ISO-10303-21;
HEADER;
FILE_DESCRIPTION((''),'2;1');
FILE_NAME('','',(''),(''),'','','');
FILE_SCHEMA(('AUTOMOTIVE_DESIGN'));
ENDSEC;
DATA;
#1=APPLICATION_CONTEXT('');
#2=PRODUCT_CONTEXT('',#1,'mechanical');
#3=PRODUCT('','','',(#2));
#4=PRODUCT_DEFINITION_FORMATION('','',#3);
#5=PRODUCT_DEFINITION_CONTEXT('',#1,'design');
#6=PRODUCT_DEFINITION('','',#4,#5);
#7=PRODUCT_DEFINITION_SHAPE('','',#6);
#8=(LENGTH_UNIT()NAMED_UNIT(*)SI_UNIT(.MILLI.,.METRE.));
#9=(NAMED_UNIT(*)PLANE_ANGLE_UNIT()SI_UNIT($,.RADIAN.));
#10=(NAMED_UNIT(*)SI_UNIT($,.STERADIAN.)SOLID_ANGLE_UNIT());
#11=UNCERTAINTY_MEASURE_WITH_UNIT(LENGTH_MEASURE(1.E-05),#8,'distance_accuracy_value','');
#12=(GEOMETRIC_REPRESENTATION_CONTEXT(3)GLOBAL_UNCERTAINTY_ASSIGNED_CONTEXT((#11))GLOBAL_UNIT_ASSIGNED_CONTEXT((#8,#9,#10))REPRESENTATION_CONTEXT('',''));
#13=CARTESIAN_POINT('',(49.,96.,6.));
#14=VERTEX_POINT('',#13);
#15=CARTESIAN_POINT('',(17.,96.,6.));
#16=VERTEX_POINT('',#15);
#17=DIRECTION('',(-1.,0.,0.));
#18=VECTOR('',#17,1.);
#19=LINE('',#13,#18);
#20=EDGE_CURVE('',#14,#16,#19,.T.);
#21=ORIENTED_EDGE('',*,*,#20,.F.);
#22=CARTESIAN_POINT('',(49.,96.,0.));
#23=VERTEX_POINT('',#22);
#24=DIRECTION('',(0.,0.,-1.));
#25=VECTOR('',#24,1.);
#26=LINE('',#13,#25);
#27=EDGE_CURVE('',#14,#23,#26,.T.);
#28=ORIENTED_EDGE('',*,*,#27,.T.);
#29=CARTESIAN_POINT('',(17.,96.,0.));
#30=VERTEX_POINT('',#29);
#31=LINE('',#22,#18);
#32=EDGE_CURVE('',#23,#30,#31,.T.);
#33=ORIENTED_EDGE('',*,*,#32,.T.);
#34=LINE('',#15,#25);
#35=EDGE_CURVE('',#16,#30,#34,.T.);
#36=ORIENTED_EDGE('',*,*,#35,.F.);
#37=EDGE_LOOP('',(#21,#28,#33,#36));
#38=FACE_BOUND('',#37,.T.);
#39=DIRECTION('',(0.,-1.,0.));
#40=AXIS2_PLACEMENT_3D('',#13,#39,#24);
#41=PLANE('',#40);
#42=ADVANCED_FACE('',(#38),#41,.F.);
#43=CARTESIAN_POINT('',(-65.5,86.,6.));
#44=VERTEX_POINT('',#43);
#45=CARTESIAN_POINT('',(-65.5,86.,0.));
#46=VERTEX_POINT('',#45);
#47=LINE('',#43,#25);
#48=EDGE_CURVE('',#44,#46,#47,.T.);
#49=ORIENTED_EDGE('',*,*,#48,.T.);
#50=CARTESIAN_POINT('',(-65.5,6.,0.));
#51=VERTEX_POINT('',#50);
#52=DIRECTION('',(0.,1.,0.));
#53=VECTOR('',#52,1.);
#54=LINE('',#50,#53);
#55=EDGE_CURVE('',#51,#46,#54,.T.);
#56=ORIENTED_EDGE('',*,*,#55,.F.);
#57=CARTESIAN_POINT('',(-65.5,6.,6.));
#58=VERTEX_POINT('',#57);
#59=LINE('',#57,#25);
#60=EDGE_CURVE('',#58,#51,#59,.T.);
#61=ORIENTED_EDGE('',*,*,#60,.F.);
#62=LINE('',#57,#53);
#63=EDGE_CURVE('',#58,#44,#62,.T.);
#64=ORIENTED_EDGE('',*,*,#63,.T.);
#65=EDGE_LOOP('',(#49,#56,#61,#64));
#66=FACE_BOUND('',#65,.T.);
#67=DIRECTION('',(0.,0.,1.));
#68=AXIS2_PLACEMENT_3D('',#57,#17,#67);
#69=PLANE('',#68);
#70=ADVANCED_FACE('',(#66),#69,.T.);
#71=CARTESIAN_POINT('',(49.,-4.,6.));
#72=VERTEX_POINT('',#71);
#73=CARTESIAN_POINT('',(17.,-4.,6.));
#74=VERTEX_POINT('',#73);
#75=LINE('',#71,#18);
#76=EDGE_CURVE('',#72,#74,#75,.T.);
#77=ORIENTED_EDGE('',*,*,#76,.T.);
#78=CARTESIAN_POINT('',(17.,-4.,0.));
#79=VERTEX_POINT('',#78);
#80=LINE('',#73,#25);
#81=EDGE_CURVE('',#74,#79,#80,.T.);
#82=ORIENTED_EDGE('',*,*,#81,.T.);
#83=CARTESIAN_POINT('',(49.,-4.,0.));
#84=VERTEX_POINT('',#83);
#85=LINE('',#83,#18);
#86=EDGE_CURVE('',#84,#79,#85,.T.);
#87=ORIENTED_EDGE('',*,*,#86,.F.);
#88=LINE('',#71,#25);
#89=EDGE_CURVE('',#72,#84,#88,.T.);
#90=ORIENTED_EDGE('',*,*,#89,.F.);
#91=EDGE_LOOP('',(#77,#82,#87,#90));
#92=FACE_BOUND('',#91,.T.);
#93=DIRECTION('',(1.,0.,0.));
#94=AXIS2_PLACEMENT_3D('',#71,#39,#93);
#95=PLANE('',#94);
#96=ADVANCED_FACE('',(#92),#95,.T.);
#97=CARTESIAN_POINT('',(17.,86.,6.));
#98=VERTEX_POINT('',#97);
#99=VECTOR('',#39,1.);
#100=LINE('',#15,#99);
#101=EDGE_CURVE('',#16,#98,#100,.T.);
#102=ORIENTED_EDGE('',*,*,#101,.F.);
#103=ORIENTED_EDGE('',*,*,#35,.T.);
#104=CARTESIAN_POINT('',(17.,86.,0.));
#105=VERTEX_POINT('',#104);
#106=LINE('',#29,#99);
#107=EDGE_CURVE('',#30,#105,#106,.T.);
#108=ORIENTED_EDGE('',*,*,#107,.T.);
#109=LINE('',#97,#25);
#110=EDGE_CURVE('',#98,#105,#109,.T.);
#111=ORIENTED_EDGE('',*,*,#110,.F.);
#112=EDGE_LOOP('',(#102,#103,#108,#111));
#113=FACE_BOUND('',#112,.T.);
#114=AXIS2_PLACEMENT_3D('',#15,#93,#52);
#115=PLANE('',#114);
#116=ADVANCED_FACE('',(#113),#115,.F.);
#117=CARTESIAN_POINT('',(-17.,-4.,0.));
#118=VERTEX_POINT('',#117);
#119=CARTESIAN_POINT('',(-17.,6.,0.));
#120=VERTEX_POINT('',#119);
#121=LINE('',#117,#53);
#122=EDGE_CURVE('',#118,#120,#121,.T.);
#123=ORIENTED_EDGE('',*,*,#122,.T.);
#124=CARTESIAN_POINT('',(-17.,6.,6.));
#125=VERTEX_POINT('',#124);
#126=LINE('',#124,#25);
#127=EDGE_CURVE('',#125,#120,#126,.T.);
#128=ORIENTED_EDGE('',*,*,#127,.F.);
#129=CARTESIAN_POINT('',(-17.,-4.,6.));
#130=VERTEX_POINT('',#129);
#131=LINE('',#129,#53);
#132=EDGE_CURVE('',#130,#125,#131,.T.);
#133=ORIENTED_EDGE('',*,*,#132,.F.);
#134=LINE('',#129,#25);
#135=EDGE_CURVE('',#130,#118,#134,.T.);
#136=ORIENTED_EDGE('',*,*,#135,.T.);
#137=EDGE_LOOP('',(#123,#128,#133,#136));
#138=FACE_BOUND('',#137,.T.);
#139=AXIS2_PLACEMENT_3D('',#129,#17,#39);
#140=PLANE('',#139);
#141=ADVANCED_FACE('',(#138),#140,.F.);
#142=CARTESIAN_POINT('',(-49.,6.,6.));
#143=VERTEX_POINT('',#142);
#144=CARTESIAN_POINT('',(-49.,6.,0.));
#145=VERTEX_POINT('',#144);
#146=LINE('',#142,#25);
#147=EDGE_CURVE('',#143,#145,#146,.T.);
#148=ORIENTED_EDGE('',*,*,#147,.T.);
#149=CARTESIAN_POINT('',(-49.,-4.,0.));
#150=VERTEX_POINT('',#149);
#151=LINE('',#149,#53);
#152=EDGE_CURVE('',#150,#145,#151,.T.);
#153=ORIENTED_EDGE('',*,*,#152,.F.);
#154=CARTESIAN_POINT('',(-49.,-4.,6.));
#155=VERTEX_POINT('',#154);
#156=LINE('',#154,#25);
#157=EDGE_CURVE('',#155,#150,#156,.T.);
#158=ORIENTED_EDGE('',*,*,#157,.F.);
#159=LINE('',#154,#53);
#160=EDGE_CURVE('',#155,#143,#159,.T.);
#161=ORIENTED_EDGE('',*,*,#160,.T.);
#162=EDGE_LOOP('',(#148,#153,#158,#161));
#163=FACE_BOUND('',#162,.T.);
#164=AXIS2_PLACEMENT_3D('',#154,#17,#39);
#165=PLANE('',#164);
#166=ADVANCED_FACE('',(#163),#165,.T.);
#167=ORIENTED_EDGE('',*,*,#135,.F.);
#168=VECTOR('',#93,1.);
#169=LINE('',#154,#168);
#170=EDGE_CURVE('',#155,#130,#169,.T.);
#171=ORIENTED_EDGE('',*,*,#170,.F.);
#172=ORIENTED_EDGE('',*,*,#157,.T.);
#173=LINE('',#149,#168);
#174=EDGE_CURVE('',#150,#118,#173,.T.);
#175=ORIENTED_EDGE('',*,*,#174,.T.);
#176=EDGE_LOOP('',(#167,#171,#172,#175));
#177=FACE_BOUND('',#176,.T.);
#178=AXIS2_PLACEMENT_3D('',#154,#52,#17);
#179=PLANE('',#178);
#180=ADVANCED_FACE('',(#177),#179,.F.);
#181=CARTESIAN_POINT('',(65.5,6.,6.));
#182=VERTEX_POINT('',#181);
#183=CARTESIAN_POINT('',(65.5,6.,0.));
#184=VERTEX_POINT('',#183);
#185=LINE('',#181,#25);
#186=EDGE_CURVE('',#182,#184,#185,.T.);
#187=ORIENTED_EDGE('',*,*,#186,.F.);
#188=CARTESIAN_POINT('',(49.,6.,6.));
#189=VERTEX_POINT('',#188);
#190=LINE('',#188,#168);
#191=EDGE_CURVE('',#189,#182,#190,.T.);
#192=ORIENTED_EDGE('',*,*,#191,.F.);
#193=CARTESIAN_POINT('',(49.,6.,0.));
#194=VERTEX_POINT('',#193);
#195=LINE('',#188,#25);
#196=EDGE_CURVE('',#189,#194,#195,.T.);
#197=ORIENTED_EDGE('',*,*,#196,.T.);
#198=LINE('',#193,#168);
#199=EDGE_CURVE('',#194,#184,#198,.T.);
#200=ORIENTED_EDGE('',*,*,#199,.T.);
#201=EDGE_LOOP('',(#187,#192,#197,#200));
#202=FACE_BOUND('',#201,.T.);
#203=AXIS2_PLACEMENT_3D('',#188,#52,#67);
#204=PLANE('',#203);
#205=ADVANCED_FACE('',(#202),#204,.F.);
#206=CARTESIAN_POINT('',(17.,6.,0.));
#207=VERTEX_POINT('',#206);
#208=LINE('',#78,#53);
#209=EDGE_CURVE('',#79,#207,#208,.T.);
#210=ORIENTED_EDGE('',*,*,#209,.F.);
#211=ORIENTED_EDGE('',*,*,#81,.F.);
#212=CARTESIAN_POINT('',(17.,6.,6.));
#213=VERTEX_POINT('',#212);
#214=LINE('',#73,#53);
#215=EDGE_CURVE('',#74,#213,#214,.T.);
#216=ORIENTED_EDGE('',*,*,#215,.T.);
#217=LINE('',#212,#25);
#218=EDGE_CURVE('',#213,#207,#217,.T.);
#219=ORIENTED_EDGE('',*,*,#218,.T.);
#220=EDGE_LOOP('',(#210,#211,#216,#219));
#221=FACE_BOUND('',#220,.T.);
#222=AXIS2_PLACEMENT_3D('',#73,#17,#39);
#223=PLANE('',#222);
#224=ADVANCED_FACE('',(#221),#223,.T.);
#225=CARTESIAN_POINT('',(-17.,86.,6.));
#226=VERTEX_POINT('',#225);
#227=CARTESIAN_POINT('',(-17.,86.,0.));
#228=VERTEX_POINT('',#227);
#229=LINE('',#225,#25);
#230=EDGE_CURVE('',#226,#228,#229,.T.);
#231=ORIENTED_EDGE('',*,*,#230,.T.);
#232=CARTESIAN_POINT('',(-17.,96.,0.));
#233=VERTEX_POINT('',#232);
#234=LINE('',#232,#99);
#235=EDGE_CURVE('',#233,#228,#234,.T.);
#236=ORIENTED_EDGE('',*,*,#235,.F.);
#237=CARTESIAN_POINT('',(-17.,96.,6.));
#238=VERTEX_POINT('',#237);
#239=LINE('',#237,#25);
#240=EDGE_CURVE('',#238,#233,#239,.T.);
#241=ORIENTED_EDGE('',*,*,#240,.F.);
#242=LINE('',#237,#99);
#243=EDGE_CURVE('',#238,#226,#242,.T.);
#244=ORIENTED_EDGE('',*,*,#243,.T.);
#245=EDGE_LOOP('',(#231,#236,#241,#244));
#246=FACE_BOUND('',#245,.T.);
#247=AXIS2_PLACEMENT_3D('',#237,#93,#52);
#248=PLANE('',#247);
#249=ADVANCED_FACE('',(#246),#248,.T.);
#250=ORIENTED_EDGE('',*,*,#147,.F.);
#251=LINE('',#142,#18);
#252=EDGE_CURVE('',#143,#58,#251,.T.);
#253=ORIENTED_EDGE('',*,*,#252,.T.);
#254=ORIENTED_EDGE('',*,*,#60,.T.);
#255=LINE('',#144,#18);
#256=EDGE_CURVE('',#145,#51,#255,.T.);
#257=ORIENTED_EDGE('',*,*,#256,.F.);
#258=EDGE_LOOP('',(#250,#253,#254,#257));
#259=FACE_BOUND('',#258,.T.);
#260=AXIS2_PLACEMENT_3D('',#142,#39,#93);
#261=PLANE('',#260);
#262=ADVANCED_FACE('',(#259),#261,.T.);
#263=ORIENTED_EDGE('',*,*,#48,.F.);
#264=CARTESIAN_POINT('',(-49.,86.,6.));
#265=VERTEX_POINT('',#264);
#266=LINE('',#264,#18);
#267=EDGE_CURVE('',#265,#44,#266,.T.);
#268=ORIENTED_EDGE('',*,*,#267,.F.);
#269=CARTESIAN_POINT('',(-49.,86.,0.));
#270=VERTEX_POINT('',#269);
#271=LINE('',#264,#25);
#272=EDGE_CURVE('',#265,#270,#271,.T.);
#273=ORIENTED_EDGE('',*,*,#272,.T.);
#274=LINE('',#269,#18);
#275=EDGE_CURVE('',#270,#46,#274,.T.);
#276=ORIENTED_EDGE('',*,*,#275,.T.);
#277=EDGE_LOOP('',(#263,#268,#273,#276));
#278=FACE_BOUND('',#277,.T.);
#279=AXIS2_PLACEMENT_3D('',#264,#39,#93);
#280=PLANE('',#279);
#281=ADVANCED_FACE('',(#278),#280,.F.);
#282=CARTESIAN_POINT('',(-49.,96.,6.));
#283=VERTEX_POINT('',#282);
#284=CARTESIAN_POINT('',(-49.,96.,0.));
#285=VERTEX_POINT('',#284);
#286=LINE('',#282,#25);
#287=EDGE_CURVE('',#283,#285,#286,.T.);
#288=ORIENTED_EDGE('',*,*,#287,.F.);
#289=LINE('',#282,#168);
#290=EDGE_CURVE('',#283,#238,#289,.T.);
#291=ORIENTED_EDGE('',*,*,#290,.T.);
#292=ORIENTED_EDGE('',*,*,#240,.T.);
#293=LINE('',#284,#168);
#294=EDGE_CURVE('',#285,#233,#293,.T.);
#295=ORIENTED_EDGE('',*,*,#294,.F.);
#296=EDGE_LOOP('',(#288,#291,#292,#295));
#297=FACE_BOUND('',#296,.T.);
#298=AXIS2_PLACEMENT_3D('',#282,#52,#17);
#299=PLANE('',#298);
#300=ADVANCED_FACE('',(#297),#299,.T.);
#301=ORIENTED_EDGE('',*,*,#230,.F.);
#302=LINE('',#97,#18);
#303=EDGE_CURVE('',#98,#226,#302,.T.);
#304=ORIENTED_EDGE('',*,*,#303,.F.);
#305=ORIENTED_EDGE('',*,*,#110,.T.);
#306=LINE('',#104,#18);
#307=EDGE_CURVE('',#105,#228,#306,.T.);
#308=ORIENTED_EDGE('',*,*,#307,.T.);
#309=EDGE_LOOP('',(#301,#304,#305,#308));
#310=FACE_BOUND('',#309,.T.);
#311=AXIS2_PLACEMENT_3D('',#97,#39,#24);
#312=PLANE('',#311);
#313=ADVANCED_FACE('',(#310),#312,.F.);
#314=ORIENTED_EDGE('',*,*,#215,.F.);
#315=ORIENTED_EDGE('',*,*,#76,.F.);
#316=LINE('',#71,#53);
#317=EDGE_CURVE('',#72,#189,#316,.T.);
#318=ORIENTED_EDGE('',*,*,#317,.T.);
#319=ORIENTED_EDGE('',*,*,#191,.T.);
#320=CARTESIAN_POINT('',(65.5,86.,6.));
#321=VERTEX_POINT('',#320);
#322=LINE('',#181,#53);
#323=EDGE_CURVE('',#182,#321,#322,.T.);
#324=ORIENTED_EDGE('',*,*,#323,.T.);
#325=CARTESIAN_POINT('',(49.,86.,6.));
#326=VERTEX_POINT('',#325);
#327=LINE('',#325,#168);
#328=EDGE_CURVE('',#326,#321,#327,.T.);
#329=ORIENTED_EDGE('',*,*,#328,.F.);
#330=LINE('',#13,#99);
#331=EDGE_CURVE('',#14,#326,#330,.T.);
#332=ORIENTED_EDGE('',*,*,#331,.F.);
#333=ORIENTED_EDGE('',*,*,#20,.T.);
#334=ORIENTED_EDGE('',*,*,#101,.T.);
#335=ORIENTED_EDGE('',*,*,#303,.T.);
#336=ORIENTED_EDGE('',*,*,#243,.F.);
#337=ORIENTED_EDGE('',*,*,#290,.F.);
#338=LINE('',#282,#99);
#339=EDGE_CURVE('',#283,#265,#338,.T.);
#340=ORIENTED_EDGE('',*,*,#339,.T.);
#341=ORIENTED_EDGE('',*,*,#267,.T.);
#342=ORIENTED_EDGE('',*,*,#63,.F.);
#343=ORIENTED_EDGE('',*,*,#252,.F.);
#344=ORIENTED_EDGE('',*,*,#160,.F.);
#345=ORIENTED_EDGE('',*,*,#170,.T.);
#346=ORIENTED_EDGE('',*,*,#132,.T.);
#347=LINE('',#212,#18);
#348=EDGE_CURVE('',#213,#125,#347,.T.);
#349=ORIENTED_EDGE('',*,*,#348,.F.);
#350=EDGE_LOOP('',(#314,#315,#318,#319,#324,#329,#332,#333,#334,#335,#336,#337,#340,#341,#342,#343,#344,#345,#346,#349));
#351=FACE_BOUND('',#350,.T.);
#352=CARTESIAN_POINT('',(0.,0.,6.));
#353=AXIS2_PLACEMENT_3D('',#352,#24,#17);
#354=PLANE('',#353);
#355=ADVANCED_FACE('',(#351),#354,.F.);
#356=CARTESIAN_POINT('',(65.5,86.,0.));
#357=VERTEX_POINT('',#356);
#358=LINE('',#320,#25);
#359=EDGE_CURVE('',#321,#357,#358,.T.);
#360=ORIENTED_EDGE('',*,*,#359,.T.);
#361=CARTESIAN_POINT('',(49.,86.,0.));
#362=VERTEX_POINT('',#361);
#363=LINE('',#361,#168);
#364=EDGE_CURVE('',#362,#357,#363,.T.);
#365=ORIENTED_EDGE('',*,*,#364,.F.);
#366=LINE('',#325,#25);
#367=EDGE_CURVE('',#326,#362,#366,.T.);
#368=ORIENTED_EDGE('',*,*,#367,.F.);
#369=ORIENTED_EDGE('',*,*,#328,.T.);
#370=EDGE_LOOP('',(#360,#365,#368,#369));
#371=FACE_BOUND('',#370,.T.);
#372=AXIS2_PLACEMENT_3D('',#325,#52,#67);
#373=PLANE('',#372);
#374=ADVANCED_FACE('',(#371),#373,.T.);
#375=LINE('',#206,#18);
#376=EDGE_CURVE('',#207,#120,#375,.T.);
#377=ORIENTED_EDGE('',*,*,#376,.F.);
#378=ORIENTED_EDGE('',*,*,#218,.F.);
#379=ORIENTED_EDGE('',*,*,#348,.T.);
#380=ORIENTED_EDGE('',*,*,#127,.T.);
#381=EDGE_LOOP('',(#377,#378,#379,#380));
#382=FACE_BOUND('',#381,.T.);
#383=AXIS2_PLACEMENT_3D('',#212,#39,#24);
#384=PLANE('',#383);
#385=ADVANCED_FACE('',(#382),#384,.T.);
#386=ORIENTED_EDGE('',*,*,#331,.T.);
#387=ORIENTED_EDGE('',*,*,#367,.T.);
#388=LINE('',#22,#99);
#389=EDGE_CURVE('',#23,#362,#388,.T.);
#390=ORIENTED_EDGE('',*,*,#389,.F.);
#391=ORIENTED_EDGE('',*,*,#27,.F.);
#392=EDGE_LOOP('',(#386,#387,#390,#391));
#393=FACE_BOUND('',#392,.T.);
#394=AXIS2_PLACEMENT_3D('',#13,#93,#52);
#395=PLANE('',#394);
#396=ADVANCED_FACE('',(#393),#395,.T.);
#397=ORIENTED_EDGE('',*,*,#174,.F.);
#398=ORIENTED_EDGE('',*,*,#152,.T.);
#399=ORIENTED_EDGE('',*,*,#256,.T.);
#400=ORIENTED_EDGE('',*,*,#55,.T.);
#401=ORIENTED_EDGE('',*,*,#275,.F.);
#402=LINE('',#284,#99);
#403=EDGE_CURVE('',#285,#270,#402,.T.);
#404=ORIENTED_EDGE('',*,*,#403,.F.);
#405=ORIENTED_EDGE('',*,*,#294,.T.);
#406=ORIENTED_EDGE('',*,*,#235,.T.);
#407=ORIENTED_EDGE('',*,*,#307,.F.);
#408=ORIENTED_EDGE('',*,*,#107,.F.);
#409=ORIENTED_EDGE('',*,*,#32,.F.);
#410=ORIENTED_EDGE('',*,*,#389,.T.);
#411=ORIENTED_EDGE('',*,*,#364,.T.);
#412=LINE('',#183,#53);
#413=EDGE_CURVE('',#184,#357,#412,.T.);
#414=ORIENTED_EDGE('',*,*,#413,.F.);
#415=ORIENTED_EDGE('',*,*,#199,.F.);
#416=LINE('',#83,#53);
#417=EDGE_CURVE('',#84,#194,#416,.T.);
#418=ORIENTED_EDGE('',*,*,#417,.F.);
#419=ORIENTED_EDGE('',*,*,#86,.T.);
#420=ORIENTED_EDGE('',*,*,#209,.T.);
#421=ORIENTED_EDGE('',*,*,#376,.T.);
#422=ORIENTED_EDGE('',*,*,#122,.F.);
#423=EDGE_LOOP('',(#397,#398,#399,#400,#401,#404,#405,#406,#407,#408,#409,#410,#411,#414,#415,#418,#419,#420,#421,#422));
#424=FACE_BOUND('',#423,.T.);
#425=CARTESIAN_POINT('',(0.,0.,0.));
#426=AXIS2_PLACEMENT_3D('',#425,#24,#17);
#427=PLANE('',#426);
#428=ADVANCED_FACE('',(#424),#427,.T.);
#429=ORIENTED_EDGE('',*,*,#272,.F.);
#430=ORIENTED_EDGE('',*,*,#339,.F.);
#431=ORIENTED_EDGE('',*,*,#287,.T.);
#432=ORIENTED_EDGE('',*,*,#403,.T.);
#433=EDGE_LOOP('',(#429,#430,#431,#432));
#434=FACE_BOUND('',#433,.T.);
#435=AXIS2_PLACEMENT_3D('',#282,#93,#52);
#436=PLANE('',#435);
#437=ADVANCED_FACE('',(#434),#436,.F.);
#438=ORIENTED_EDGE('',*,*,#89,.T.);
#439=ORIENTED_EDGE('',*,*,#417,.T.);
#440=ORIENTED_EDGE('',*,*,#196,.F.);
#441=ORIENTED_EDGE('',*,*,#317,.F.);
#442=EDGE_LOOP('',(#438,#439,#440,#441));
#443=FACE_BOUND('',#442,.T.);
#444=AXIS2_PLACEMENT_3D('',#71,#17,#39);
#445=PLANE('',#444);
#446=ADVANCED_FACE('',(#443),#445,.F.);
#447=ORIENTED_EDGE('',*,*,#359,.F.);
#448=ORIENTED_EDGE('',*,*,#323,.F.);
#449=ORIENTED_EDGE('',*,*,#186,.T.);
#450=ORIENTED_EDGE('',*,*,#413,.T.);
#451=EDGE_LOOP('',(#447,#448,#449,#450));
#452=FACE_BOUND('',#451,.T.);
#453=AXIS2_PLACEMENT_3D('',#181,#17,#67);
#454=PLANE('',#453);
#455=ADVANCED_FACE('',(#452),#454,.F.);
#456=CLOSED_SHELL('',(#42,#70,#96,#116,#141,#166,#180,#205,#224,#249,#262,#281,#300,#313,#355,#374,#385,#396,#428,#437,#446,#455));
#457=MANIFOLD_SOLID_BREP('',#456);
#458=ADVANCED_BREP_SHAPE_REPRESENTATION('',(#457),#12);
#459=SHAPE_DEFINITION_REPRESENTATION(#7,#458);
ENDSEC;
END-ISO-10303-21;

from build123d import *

# Parameters (mm, degrees)
BOSS_EXTRU_1_DEPTH = 6


with BuildPart() as part:
    # Esquisse1 → Boss.-Extru.1 (new body)
    with BuildSketch(Plane.XY):
        Polygon((49, -4), (49, 6), (65.5, 6), (65.5, 86), (49, 86), (49, 96), (17, 96), (17, 86), (-17, 86), (-17, 96), (-49, 96), (-49, 86), (-65.5, 86), (-65.5, 6), (-49, 6), (-49, -4), (-17, -4), (-17, 6), (17, 6), (17, -4), align=None)
    extrude(amount=BOSS_EXTRU_1_DEPTH)


solid = part.part
